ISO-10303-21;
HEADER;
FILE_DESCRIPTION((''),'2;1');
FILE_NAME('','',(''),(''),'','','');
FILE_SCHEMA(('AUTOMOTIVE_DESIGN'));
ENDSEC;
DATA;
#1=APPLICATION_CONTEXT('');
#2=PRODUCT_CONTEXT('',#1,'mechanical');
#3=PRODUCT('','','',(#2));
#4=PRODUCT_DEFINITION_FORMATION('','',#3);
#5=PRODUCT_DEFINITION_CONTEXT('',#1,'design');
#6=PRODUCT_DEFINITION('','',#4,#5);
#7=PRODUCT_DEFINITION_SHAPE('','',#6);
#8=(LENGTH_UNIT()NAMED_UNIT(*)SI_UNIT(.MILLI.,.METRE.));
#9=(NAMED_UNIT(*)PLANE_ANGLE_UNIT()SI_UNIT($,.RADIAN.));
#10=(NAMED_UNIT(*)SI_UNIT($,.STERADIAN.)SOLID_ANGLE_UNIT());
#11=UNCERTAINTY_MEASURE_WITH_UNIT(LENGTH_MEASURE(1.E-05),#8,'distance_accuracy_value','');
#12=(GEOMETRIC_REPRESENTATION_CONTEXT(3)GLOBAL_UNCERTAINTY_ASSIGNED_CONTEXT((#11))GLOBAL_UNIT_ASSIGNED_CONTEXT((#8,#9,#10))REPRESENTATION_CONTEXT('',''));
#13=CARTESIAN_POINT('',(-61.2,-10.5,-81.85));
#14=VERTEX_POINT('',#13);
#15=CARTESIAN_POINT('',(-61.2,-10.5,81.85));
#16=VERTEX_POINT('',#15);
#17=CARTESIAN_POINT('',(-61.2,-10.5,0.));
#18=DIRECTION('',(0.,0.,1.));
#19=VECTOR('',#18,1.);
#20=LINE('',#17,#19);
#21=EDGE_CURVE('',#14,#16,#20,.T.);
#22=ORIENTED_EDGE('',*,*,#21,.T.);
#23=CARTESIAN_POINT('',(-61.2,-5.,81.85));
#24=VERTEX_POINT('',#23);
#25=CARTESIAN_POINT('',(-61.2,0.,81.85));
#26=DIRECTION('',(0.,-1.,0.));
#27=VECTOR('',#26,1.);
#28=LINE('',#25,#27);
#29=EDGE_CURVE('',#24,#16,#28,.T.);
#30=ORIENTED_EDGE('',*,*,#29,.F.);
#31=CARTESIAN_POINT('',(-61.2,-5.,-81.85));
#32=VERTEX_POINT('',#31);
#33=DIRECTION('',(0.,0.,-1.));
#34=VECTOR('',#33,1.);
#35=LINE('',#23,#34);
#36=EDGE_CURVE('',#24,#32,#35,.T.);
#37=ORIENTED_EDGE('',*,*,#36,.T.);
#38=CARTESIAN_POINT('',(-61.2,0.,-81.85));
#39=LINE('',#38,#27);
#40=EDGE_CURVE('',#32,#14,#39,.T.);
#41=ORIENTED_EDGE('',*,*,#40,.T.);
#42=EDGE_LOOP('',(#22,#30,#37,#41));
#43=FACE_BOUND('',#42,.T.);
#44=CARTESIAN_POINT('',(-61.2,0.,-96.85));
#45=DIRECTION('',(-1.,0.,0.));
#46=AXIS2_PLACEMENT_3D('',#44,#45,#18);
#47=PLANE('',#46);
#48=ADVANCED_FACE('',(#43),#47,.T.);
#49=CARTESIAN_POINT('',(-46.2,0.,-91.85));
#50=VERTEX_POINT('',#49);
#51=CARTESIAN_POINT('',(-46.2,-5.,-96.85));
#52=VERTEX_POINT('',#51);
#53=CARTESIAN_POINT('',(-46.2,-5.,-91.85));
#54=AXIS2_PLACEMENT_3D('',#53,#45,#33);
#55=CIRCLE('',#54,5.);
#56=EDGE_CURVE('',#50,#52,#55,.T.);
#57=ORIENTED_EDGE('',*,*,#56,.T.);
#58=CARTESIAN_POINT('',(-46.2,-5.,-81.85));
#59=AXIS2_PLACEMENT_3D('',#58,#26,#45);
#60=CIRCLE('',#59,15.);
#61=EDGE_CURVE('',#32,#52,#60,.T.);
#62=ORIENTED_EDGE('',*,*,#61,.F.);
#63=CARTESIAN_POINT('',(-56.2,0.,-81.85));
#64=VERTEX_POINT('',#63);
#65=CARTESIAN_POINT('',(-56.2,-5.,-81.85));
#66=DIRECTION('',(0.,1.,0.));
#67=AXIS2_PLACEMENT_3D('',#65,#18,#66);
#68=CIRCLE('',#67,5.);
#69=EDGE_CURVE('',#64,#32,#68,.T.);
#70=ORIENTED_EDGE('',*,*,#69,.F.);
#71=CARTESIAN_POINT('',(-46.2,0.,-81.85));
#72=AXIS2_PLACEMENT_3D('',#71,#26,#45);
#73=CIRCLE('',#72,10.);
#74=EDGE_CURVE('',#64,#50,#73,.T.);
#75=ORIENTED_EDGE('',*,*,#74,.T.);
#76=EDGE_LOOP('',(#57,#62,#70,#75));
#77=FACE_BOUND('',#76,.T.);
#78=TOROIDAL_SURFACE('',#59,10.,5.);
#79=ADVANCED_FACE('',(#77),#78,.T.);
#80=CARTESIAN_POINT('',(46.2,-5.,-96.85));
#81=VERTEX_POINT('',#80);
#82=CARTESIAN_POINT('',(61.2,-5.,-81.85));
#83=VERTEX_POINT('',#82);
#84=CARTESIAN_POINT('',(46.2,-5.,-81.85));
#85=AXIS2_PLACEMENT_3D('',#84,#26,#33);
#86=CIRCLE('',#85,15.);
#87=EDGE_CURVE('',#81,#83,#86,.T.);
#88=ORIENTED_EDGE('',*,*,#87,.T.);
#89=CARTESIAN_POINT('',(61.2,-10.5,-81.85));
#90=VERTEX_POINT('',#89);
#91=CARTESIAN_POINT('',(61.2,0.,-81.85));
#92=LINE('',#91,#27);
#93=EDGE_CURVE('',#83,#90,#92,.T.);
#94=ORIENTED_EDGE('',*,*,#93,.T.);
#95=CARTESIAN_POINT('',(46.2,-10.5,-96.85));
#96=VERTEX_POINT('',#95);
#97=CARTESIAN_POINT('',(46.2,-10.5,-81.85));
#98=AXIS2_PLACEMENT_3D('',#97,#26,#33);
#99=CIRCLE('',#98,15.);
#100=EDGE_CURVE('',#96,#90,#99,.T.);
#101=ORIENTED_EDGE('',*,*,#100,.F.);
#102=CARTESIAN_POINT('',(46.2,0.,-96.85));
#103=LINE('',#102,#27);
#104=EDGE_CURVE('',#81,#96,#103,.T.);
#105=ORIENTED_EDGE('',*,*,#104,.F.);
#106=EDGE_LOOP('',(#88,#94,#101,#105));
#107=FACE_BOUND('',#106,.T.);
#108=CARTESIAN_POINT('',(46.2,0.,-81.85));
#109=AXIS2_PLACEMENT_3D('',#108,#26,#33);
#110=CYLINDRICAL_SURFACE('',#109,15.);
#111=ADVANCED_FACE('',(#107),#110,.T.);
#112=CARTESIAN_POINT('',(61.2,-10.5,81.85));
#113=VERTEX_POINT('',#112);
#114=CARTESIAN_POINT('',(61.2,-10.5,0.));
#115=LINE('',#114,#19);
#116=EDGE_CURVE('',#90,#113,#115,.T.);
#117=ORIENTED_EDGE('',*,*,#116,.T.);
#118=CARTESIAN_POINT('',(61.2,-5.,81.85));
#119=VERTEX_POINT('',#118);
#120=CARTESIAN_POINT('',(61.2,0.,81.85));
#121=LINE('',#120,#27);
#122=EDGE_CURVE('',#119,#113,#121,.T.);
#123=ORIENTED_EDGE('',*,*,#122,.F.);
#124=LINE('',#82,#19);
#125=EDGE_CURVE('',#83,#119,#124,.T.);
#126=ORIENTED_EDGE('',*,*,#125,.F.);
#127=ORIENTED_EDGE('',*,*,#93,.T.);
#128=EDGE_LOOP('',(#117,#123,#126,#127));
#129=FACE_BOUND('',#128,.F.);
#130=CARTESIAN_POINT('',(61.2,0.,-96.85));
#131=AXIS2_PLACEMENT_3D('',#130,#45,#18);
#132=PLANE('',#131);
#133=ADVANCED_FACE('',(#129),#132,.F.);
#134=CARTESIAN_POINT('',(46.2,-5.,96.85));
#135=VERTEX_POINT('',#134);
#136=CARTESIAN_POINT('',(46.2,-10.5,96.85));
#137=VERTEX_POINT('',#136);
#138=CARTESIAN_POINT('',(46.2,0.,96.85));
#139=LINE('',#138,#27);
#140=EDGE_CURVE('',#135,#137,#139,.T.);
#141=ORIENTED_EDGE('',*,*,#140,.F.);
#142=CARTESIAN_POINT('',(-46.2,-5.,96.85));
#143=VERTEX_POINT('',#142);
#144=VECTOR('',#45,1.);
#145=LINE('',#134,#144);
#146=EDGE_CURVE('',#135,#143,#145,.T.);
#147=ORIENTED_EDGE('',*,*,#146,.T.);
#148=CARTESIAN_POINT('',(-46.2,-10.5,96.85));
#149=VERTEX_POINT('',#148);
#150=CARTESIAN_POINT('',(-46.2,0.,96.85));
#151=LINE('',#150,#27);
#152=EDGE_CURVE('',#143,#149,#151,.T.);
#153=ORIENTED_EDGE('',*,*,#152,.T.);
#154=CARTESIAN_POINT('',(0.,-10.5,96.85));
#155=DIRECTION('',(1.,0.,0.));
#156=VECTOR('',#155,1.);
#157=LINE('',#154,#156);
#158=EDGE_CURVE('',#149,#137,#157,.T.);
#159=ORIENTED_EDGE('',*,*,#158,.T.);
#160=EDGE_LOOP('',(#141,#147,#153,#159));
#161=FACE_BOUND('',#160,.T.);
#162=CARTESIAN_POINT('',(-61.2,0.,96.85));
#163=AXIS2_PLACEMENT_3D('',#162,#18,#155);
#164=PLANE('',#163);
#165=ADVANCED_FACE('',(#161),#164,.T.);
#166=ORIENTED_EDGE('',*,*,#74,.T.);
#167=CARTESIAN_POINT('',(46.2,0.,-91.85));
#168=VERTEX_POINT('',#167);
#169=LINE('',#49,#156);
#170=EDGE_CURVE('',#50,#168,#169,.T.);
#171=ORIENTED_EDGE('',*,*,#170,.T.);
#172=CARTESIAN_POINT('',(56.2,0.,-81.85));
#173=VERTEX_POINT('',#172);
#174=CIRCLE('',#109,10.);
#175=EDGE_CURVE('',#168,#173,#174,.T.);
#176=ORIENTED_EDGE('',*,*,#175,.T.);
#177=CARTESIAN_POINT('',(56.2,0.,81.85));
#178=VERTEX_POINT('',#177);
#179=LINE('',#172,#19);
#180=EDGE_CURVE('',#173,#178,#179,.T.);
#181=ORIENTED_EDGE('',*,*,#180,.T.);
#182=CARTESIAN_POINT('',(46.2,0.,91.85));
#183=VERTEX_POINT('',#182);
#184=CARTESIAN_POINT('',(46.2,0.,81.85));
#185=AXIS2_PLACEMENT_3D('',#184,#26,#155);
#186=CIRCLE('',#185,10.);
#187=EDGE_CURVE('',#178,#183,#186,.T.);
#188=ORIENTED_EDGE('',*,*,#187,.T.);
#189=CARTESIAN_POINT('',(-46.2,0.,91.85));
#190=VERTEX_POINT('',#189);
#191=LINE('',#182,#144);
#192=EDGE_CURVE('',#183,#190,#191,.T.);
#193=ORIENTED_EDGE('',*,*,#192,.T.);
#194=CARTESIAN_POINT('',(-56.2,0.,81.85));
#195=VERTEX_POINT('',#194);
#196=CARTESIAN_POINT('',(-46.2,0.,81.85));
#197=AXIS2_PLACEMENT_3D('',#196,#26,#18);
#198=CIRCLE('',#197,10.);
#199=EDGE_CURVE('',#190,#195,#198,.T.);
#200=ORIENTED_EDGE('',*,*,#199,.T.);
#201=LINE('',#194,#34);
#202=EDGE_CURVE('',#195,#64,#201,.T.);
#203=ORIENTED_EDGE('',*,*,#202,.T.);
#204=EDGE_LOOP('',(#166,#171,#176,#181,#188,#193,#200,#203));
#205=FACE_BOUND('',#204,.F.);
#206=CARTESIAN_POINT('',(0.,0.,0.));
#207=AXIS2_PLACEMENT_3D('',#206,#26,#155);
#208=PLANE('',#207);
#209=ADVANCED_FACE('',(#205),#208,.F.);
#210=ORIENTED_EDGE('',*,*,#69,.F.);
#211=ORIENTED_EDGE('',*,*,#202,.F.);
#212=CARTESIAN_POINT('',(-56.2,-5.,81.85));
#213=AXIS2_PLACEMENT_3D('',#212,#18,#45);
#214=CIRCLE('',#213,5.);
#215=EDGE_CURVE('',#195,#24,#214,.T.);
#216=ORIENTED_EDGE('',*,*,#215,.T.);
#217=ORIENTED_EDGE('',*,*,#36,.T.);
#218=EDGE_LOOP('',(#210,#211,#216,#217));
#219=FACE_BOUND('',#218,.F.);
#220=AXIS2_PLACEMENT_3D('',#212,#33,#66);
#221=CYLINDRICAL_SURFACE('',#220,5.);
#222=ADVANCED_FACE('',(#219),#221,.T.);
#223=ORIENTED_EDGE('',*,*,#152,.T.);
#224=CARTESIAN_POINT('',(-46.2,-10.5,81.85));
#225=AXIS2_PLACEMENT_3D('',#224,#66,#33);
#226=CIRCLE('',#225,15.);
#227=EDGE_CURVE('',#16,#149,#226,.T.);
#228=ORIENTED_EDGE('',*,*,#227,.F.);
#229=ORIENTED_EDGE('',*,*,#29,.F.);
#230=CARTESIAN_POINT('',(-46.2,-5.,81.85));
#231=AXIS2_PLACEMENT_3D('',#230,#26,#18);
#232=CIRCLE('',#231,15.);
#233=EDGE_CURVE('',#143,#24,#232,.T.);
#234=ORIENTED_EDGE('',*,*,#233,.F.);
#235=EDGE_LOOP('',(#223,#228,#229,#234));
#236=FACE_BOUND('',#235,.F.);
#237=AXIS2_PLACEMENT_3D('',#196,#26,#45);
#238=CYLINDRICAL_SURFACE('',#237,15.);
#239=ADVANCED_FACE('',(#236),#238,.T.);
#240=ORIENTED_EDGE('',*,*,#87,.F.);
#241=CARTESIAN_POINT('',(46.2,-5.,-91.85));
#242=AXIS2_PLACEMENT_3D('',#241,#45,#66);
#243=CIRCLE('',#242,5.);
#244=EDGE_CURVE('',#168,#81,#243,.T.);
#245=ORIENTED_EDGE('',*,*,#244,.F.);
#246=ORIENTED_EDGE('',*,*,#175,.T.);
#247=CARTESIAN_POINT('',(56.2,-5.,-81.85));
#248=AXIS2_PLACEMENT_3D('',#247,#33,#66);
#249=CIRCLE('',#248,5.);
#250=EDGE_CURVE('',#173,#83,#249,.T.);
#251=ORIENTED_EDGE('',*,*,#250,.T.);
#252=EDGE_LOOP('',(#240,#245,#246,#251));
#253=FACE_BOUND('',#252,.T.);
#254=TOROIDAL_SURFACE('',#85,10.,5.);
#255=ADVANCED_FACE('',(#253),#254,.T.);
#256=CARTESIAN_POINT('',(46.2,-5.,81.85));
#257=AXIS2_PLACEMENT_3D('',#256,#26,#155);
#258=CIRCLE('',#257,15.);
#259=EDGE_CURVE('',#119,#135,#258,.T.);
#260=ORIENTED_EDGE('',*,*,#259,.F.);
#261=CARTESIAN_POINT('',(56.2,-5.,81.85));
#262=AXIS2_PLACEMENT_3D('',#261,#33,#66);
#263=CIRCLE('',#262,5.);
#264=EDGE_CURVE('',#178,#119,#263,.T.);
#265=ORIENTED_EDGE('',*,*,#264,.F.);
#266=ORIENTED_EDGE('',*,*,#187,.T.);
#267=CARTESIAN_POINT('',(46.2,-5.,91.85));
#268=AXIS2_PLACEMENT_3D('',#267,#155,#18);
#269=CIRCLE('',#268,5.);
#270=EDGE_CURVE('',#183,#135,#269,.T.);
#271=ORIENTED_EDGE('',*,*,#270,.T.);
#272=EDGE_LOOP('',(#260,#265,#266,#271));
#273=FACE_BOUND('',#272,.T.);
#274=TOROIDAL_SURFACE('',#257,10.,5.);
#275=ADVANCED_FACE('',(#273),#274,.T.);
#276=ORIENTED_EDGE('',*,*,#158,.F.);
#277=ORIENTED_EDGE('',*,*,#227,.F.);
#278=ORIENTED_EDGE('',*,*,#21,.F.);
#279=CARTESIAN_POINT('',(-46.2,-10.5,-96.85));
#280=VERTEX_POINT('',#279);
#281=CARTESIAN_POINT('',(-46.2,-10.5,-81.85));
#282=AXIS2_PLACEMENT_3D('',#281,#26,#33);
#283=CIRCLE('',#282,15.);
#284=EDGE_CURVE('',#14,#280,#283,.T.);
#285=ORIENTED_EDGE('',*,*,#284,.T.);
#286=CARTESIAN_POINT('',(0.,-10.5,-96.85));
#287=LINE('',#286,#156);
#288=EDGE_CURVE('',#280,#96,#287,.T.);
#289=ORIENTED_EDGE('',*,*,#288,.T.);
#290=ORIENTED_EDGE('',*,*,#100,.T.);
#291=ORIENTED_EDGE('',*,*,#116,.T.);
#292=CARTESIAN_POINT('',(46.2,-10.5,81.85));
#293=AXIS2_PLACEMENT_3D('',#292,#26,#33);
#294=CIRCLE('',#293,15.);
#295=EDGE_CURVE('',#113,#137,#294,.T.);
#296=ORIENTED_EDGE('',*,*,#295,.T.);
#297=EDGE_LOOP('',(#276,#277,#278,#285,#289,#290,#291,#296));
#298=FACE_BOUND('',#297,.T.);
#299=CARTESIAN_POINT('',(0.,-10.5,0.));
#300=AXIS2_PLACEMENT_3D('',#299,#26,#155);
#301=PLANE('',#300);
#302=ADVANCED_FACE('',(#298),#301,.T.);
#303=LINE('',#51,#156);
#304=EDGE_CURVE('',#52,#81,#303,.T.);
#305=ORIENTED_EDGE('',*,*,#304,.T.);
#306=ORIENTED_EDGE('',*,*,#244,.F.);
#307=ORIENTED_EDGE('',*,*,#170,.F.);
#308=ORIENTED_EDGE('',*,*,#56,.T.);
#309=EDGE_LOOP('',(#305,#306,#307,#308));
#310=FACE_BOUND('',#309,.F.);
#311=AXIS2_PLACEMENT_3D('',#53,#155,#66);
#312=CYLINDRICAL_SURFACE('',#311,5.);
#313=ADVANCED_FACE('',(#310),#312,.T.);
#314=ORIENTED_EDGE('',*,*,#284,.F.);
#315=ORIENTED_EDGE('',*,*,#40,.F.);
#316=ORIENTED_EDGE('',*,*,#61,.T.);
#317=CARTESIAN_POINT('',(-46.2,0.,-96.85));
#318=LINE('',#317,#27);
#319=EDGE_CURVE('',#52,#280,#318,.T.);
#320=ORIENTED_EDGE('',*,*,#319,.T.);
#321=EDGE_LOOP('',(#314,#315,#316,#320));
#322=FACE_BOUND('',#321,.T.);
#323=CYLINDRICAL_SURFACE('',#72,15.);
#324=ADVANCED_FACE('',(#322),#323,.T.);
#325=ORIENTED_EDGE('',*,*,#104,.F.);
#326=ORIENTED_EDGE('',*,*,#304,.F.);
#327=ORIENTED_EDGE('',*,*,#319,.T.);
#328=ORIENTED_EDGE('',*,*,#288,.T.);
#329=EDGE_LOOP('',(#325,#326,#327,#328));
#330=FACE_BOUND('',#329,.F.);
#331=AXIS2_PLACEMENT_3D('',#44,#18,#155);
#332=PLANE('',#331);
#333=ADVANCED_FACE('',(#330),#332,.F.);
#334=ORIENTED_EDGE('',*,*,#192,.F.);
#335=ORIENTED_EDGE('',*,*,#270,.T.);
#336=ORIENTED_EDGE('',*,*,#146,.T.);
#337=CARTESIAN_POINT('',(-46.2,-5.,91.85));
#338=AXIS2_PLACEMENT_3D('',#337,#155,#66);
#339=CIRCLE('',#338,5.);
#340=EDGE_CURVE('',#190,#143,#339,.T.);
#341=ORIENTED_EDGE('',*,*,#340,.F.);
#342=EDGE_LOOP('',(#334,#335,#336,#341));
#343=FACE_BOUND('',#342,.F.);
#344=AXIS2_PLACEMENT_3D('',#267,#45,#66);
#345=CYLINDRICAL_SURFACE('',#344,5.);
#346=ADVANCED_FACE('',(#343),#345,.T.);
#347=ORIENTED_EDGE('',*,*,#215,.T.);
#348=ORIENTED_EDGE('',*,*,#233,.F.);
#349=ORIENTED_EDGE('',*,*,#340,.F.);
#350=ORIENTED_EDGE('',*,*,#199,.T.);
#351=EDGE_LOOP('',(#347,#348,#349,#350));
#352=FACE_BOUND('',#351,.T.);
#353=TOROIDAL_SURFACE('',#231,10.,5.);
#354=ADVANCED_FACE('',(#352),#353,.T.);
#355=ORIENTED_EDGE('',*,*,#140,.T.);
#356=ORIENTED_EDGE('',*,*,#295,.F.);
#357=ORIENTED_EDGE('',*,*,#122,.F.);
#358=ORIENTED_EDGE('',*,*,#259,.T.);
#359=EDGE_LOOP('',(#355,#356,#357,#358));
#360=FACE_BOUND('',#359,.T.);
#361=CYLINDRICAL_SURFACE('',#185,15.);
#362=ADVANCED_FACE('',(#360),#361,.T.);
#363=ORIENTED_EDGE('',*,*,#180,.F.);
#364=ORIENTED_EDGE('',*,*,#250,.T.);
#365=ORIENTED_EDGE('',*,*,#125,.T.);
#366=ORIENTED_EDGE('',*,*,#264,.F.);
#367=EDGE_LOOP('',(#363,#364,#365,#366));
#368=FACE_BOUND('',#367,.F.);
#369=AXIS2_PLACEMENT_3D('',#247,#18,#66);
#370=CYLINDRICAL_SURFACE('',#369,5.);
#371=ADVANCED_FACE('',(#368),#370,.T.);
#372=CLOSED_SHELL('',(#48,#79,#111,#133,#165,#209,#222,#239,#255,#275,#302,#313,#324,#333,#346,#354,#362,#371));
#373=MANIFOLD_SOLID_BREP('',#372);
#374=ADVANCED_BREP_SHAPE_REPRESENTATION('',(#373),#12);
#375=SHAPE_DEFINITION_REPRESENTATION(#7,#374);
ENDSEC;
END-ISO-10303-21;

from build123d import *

# Parameters (mm, degrees)
F0_W     = 122.4
F0_H     = 193.7
F1_DEPTH = 10.5
F2_R     = 15
F3_R     = 5


with BuildPart() as f1:
    # F0 (on Front) → F1 (new body)
    with BuildSketch(Plane.XZ):
        Rectangle(F0_W, F0_H)
    extrude(amount=F1_DEPTH)

    # F2
    f2_edges = [f1.edges().sort_by_distance(p)[0] for p in [
        (61.2, -5.25, 96.85),
        (61.2, -5.25, -96.85),
        (-61.2, -5.25, 96.85),
        (-61.2, -5.25, -96.85),
    ]]
    fillet(f2_edges, radius=F2_R)

    # F3
    f3_edges = [f1.edges().sort_by_distance(p)[0] for p in [
        (61.2, 0, 0),
    ]]
    fillet(f3_edges, radius=F3_R)


solid = f1.part
